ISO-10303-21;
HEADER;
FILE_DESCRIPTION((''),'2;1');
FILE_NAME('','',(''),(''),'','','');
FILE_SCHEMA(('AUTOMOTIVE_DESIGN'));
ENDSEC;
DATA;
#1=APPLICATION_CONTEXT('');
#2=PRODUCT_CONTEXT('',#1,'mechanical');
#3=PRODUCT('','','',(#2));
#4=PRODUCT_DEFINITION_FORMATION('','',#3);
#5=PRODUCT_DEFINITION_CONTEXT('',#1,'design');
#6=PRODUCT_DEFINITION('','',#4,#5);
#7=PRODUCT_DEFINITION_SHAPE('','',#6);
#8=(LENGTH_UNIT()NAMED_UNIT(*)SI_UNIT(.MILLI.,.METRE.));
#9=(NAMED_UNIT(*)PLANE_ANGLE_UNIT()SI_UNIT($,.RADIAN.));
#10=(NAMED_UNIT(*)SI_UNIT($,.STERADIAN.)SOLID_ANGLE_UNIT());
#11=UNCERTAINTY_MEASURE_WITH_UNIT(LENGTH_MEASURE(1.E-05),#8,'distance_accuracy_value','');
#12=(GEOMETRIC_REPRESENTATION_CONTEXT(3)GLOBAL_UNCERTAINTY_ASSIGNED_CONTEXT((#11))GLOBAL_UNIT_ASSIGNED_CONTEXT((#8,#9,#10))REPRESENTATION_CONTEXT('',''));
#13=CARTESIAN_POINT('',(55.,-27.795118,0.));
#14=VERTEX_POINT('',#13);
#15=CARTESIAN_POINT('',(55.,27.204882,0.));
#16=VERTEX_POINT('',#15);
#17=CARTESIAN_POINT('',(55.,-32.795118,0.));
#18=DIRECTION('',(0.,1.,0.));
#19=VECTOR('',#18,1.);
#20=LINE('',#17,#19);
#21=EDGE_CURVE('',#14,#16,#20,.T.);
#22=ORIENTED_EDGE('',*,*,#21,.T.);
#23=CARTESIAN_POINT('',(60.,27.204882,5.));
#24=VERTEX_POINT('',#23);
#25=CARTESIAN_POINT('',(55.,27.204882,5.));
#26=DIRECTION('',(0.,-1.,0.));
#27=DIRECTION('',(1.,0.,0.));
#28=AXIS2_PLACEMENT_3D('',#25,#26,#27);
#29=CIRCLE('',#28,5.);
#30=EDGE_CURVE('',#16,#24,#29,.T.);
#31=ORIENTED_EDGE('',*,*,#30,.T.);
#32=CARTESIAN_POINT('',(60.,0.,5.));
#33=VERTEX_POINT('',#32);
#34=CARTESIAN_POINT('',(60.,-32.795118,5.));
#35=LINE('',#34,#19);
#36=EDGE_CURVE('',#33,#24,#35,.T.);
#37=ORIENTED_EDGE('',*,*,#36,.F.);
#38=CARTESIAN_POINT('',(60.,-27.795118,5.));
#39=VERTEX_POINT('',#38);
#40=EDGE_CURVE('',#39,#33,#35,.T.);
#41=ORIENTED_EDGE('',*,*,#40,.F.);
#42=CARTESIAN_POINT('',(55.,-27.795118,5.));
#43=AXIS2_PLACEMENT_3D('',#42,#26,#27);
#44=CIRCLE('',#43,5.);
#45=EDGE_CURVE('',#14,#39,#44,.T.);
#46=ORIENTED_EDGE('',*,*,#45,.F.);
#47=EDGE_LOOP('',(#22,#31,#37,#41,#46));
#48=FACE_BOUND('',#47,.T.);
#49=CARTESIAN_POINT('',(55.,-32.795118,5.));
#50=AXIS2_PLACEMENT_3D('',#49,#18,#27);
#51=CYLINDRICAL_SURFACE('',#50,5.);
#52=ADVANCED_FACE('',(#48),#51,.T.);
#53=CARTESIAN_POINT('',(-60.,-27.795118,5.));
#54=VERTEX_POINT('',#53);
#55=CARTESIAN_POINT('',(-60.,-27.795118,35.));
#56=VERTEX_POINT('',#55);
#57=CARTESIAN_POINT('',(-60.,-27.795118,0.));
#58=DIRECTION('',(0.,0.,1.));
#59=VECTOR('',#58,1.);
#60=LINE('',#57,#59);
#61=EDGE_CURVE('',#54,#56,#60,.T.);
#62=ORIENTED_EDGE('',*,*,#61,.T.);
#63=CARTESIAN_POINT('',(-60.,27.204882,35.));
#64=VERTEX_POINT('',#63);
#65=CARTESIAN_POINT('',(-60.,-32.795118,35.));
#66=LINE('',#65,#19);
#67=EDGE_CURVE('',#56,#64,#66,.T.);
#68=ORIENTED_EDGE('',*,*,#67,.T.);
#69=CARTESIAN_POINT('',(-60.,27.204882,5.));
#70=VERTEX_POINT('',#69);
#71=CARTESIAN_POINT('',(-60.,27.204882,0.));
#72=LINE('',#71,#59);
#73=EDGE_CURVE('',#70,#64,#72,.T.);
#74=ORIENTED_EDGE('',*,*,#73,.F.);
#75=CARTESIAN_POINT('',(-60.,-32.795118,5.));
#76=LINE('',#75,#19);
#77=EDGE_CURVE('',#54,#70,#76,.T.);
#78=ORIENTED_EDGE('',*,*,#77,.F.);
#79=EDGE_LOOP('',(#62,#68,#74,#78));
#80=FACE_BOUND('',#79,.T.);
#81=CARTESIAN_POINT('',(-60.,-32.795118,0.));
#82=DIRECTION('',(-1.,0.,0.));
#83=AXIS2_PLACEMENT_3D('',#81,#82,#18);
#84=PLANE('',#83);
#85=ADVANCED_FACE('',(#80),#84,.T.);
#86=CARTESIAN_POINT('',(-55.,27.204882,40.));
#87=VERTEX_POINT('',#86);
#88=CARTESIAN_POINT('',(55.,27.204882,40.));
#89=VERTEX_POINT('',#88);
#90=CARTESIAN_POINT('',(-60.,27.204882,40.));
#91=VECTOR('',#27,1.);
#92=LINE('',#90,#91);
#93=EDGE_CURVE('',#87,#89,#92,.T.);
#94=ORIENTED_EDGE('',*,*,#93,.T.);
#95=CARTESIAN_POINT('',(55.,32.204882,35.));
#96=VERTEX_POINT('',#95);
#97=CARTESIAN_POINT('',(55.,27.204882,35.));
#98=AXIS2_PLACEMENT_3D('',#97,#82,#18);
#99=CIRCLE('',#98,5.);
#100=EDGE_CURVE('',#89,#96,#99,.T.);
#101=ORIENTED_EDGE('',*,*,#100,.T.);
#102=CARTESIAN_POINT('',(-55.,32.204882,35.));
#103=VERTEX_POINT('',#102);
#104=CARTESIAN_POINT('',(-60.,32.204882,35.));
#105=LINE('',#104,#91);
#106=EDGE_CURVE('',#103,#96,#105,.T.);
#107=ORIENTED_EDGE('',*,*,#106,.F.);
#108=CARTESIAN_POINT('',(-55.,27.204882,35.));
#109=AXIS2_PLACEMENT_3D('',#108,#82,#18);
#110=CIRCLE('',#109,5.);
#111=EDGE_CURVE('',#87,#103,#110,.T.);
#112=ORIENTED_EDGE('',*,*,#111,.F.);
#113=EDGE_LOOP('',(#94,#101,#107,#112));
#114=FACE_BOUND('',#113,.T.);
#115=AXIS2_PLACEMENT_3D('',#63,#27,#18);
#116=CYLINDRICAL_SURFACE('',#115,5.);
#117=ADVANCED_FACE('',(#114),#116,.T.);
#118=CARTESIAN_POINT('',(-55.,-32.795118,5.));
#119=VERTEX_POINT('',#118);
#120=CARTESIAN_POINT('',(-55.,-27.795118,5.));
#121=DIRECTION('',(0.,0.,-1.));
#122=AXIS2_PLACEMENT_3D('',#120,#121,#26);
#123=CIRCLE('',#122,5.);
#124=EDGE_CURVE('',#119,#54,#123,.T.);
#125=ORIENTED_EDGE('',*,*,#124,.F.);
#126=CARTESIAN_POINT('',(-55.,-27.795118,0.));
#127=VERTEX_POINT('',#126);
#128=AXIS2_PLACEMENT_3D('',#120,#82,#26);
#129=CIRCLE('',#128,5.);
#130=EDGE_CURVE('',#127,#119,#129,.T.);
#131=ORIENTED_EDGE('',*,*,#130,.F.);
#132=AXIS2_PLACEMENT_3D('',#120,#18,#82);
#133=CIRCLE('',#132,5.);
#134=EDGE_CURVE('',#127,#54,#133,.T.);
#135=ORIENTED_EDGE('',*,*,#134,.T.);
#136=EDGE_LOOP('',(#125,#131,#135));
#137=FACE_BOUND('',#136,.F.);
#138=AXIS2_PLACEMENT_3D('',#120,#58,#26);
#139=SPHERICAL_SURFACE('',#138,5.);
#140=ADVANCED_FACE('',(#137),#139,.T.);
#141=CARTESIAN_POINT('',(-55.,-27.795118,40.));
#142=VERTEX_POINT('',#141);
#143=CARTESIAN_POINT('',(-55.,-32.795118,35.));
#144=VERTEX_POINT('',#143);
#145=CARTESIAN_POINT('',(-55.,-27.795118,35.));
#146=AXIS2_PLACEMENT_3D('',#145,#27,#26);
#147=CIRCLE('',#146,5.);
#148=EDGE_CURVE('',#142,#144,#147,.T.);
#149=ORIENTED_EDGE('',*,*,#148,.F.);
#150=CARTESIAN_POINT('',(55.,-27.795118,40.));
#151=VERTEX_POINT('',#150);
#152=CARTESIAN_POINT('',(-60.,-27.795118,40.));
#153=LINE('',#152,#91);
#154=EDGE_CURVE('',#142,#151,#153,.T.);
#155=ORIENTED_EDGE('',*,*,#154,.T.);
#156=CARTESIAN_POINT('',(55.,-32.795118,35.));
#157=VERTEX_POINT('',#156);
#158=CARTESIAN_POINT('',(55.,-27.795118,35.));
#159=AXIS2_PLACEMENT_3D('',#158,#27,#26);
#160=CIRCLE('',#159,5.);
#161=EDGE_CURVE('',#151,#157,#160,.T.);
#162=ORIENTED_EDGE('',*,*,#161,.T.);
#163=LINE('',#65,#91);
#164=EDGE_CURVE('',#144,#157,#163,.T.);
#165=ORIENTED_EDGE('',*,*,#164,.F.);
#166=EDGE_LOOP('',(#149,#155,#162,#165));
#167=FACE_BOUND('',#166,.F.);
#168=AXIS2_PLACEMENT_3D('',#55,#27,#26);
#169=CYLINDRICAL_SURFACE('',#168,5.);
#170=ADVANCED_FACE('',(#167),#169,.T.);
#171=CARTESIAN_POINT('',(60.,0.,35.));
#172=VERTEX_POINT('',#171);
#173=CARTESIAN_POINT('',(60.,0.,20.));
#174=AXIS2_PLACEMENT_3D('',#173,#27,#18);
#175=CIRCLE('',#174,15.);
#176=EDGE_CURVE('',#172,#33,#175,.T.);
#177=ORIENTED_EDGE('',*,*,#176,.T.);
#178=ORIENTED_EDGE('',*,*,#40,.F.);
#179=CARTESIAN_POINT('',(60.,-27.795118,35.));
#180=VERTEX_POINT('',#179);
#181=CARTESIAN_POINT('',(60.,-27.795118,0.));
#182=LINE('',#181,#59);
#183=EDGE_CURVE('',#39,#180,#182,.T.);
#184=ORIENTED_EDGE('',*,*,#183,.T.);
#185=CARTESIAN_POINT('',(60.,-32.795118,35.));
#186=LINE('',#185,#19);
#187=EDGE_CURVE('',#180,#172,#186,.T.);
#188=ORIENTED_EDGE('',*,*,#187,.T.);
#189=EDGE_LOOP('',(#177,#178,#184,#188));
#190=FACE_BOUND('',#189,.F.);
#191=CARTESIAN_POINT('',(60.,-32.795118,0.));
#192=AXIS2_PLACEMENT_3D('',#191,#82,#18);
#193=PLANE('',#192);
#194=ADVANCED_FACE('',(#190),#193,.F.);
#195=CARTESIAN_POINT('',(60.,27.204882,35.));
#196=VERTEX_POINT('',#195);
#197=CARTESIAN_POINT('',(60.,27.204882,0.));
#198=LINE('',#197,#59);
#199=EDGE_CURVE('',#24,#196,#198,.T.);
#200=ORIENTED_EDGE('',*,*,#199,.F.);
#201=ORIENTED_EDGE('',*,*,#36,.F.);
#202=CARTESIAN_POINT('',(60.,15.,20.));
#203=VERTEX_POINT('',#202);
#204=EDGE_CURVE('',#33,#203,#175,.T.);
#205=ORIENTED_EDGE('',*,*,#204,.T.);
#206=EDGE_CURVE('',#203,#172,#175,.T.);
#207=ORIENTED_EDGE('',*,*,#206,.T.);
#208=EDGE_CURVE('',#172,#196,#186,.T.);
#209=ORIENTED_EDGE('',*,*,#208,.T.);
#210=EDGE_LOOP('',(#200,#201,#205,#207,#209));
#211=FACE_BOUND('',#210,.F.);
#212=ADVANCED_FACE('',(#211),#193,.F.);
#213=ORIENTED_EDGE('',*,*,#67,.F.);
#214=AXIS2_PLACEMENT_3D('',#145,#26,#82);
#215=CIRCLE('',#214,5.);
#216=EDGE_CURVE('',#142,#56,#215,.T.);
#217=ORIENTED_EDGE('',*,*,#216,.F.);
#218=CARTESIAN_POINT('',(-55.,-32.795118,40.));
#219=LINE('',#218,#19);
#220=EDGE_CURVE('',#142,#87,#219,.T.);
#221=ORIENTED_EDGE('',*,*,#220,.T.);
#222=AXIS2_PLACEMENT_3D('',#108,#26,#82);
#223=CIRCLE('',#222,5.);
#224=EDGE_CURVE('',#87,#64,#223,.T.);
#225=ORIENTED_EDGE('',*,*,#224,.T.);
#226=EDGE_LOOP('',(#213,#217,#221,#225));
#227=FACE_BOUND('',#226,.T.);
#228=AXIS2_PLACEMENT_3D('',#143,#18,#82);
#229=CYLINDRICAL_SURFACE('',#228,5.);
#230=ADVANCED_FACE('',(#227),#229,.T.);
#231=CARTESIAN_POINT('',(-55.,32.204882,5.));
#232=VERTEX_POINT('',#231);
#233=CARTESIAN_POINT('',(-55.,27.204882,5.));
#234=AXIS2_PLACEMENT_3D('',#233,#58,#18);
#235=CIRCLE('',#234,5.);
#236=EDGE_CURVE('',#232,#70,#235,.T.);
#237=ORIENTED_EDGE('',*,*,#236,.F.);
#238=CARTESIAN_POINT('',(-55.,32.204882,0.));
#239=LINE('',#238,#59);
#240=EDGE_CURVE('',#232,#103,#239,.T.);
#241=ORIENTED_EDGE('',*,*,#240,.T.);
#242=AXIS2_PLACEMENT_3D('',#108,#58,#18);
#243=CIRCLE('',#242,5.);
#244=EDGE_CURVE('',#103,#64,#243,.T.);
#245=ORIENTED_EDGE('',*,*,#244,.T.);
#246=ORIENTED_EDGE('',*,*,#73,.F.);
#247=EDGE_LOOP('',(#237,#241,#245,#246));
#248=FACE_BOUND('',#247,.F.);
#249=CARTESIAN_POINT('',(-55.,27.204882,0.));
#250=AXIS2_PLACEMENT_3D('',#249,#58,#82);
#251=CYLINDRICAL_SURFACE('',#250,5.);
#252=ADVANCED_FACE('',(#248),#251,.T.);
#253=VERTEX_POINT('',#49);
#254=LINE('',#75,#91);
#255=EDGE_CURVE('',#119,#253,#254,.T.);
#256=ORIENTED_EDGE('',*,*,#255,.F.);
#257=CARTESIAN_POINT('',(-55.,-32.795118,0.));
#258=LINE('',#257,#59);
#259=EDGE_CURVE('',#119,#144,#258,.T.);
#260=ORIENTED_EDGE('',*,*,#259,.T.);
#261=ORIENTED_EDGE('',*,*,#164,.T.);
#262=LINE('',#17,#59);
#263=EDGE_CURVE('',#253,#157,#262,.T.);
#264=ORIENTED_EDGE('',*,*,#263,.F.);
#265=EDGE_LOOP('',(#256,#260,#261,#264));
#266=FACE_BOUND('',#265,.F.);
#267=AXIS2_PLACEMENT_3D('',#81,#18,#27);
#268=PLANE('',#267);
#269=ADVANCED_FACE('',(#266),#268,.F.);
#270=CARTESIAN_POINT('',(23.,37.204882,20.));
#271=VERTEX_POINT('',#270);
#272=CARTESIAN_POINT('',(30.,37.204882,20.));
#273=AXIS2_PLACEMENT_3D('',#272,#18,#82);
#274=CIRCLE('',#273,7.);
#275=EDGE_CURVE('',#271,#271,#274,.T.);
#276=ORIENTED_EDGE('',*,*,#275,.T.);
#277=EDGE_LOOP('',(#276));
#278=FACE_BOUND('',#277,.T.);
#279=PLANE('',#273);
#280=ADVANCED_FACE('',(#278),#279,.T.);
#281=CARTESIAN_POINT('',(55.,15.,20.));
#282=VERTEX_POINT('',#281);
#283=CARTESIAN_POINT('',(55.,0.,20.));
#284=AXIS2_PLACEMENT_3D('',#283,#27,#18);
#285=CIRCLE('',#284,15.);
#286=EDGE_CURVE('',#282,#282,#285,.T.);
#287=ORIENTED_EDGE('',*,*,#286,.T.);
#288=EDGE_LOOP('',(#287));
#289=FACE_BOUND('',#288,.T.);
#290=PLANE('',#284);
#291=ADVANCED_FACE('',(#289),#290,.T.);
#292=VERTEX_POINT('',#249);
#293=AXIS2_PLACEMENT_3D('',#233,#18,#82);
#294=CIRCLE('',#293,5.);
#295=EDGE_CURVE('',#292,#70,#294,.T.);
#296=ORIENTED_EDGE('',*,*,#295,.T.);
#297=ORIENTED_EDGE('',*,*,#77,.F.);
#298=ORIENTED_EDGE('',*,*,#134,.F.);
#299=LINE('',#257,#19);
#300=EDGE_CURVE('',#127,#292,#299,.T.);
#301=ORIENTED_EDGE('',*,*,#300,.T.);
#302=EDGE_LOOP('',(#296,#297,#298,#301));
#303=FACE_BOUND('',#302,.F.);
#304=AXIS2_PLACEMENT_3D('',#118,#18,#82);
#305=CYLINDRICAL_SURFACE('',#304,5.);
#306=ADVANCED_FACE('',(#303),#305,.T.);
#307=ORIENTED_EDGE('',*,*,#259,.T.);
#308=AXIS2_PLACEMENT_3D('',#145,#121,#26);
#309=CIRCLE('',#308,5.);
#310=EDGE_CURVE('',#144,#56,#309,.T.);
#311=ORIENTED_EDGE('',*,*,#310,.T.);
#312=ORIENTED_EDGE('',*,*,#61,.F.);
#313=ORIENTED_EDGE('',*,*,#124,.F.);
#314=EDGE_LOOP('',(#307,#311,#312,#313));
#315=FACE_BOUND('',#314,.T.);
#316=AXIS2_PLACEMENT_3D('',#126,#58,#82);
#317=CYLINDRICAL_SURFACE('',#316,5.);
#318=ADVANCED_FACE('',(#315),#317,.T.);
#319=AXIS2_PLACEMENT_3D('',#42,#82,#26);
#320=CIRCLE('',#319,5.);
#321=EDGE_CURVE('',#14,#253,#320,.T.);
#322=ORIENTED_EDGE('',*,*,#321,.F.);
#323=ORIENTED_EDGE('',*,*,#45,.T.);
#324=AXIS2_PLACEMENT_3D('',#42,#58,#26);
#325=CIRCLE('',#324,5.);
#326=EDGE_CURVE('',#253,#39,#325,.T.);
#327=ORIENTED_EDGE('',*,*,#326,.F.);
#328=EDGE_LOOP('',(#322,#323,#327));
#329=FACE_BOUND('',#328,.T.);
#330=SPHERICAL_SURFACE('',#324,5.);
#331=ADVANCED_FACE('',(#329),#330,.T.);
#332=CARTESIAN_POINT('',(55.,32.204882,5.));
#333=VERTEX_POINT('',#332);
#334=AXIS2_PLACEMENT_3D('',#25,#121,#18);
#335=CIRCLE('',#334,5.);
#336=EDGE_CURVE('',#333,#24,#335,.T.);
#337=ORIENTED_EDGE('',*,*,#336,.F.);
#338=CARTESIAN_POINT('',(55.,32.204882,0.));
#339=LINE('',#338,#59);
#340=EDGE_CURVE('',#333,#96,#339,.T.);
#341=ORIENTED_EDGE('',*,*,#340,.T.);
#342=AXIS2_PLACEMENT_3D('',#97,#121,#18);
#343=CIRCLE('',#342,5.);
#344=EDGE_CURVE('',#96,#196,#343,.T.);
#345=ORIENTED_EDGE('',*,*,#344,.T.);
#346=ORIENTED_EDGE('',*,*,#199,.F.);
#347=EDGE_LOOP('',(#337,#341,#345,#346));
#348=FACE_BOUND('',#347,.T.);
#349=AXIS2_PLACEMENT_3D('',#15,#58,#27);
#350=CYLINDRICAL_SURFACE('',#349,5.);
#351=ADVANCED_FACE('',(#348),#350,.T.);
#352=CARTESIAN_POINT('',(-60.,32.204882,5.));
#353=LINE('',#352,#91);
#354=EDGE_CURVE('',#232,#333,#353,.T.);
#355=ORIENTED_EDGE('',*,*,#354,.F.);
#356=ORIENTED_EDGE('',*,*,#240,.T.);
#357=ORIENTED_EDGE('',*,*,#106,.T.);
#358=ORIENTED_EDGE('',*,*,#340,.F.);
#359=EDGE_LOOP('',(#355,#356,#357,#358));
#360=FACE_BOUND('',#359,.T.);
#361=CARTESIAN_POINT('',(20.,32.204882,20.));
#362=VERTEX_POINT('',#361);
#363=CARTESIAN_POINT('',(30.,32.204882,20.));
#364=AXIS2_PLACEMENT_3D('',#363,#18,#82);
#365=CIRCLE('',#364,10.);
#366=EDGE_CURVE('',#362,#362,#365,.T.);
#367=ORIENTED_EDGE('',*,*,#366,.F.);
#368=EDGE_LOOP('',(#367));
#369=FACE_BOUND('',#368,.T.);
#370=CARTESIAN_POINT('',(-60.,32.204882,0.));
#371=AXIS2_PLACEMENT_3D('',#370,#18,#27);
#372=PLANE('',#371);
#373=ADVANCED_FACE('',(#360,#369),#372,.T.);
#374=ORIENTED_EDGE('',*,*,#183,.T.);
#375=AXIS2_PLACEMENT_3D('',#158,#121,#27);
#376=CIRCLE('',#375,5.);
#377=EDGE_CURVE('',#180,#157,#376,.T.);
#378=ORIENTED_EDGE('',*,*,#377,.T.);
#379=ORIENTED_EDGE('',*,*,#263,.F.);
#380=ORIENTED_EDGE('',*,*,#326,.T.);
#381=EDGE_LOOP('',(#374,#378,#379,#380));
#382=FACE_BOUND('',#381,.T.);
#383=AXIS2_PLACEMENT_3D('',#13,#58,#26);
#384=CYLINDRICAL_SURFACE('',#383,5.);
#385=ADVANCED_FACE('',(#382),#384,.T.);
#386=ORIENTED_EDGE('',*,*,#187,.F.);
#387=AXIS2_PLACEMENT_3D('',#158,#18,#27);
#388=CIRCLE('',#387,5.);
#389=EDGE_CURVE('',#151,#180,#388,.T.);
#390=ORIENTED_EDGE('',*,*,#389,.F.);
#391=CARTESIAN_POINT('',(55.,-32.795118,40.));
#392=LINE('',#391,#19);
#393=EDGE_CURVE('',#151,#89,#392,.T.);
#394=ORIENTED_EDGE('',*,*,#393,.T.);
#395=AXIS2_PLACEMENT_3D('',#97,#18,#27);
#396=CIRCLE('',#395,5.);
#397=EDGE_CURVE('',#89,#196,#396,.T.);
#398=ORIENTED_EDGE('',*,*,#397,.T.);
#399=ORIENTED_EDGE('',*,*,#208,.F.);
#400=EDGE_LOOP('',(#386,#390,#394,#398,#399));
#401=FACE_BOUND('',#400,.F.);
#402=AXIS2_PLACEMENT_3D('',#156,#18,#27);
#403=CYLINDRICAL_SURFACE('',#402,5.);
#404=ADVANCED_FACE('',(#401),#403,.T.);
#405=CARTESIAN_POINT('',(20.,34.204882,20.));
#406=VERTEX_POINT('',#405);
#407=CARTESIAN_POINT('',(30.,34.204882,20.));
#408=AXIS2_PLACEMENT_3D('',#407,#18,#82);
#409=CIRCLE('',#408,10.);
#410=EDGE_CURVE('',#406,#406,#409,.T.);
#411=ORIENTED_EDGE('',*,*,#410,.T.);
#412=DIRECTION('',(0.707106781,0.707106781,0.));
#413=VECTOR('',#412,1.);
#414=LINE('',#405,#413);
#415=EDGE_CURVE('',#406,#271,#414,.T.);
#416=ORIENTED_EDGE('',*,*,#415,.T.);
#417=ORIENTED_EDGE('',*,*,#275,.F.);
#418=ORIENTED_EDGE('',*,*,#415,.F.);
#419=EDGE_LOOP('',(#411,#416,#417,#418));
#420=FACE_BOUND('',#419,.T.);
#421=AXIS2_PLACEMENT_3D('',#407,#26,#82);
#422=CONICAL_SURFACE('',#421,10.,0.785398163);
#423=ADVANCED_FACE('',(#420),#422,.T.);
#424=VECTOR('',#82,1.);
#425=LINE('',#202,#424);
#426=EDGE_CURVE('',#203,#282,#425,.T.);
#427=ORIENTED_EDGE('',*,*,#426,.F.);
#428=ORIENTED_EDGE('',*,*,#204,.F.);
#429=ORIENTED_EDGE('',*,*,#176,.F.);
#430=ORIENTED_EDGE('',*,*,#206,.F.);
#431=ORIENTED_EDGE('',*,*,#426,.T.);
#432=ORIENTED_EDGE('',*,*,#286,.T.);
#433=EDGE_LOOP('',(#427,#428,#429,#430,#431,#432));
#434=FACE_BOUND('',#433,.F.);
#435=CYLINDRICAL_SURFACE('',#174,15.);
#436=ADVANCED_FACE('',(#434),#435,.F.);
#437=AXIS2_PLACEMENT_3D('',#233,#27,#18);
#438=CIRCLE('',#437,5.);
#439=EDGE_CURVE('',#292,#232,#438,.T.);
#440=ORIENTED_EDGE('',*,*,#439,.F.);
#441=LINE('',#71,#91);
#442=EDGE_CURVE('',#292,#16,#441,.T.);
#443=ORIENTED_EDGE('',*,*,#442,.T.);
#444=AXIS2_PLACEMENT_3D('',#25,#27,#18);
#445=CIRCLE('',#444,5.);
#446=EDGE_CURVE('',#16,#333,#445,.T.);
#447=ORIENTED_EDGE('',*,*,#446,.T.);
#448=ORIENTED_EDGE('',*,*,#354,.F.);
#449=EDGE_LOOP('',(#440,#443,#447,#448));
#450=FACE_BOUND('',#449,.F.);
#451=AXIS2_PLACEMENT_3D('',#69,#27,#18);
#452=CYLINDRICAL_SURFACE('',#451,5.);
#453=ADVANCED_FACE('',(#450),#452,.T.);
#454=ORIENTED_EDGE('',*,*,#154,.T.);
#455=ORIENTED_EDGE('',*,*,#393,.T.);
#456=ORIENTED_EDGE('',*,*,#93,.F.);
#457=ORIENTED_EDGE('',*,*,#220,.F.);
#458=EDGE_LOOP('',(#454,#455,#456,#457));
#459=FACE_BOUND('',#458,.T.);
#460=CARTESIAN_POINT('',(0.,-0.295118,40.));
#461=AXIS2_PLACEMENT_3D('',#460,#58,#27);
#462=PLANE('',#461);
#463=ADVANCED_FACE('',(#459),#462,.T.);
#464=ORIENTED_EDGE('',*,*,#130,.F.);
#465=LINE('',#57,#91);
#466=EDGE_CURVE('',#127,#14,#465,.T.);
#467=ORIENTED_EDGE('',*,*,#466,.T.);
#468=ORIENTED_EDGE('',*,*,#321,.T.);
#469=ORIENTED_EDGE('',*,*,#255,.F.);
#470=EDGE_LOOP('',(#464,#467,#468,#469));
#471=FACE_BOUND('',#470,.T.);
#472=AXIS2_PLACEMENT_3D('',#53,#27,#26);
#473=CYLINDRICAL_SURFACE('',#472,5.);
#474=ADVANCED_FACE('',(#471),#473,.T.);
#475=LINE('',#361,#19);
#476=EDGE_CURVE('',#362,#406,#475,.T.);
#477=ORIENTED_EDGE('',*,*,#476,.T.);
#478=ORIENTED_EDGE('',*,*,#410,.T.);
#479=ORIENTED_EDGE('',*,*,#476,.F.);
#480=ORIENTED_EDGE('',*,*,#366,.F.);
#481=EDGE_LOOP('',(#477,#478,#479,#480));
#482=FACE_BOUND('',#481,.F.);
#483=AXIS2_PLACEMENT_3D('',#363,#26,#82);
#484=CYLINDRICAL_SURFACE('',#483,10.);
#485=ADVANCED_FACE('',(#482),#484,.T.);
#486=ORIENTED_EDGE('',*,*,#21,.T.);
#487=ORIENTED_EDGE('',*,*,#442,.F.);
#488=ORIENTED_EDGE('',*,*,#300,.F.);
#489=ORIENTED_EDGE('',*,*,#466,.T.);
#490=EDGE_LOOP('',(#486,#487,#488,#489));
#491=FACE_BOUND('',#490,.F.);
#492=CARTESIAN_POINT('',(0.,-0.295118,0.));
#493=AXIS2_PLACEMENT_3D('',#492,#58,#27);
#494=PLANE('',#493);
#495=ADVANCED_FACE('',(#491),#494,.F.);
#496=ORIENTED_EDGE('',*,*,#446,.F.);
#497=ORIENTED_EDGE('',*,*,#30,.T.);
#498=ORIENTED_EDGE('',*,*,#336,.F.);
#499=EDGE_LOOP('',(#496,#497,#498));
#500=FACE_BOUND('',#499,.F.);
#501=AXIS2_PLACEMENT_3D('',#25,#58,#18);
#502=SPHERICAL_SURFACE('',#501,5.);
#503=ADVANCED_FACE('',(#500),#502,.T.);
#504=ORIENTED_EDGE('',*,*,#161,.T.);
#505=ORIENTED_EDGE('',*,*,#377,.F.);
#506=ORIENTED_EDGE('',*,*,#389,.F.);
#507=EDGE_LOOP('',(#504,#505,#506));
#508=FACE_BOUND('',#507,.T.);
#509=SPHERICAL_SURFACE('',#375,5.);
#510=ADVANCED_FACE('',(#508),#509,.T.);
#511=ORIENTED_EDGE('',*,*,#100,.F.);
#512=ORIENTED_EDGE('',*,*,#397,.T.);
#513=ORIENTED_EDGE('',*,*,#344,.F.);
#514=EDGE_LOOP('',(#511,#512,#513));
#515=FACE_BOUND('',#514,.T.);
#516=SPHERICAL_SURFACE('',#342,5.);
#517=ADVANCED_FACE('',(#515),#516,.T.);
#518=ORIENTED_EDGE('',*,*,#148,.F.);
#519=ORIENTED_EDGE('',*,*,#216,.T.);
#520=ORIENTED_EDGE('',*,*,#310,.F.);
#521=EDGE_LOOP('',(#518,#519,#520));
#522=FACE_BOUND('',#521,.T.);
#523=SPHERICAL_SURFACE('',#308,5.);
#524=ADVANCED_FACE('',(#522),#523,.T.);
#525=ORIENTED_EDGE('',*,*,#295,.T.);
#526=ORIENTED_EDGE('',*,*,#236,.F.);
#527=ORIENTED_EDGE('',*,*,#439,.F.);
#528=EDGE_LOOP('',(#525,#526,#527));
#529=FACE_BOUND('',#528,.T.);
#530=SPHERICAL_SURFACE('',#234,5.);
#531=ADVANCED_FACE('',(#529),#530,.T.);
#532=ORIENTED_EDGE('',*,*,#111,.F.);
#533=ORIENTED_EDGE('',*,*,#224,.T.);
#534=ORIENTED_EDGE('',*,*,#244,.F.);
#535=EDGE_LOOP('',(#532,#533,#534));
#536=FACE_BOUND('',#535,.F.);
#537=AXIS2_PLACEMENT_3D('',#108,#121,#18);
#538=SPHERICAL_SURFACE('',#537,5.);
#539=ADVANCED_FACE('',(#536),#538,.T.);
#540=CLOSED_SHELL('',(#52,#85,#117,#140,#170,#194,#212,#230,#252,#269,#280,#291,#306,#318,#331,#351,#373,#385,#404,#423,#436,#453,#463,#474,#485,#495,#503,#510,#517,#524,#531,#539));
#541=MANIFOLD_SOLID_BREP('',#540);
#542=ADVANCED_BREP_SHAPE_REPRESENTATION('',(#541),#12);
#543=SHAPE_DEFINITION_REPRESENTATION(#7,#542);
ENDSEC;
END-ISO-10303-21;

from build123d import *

# Parameters (mm, degrees)
F0_W     = 120
F0_H     = 65
F1_DEPTH = 40
F2_R     = 5
F3_R     = 15
F4_DEPTH = 5
F5_R     = 10
F6_DEPTH = 5
F7_SIZE  = 3


with BuildPart() as f1:
    # F0 (on Top) → F1 (new body)
    with BuildSketch(Plane.XY):
        with Locations((0, -0.295118)):
            Rectangle(F0_W, F0_H)
    extrude(amount=F1_DEPTH)

    # F2
    f2_edges = [f1.edges().sort_by_distance(p)[0] for p in [
        (-60, -32.795118, 20),
        (60, -32.795118, 20),
        (60, 32.204882, 20),
        (-60, 32.204882, 20),
        (0, 32.204882, 40),
        (60, -0.295118, 40),
        (0, -32.795118, 40),
        (-60, -0.295118, 40),
        (0, 32.204882, 0),
        (0, -32.795118, 0),
        (-60, -0.295118, 0),
        (60, -0.295118, 0),
    ]]
    fillet(f2_edges, radius=F2_R)

    # F3 (on face) → F4 (cut)
    with BuildSketch(Plane.YZ.offset(60)):
        with Locations((0, 20)):
            Circle(F3_R)
    extrude(amount=-F4_DEPTH, mode=Mode.SUBTRACT)

    # F5 (on face) → F6 (join)
    with BuildSketch(Plane(origin=(0, 32.204882, 0), x_dir=(-1, 0, 0), z_dir=(0, 1, 0))):
        with Locations((-30, 20)):
            Circle(F5_R)
    extrude(amount=F6_DEPTH)

    # F7
    f7_edges = [f1.edges().sort_by_distance(p)[0] for p in [
        (40, 37.204882, 20),
    ]]
    chamfer(f7_edges, length=F7_SIZE)


solid = f1.part
